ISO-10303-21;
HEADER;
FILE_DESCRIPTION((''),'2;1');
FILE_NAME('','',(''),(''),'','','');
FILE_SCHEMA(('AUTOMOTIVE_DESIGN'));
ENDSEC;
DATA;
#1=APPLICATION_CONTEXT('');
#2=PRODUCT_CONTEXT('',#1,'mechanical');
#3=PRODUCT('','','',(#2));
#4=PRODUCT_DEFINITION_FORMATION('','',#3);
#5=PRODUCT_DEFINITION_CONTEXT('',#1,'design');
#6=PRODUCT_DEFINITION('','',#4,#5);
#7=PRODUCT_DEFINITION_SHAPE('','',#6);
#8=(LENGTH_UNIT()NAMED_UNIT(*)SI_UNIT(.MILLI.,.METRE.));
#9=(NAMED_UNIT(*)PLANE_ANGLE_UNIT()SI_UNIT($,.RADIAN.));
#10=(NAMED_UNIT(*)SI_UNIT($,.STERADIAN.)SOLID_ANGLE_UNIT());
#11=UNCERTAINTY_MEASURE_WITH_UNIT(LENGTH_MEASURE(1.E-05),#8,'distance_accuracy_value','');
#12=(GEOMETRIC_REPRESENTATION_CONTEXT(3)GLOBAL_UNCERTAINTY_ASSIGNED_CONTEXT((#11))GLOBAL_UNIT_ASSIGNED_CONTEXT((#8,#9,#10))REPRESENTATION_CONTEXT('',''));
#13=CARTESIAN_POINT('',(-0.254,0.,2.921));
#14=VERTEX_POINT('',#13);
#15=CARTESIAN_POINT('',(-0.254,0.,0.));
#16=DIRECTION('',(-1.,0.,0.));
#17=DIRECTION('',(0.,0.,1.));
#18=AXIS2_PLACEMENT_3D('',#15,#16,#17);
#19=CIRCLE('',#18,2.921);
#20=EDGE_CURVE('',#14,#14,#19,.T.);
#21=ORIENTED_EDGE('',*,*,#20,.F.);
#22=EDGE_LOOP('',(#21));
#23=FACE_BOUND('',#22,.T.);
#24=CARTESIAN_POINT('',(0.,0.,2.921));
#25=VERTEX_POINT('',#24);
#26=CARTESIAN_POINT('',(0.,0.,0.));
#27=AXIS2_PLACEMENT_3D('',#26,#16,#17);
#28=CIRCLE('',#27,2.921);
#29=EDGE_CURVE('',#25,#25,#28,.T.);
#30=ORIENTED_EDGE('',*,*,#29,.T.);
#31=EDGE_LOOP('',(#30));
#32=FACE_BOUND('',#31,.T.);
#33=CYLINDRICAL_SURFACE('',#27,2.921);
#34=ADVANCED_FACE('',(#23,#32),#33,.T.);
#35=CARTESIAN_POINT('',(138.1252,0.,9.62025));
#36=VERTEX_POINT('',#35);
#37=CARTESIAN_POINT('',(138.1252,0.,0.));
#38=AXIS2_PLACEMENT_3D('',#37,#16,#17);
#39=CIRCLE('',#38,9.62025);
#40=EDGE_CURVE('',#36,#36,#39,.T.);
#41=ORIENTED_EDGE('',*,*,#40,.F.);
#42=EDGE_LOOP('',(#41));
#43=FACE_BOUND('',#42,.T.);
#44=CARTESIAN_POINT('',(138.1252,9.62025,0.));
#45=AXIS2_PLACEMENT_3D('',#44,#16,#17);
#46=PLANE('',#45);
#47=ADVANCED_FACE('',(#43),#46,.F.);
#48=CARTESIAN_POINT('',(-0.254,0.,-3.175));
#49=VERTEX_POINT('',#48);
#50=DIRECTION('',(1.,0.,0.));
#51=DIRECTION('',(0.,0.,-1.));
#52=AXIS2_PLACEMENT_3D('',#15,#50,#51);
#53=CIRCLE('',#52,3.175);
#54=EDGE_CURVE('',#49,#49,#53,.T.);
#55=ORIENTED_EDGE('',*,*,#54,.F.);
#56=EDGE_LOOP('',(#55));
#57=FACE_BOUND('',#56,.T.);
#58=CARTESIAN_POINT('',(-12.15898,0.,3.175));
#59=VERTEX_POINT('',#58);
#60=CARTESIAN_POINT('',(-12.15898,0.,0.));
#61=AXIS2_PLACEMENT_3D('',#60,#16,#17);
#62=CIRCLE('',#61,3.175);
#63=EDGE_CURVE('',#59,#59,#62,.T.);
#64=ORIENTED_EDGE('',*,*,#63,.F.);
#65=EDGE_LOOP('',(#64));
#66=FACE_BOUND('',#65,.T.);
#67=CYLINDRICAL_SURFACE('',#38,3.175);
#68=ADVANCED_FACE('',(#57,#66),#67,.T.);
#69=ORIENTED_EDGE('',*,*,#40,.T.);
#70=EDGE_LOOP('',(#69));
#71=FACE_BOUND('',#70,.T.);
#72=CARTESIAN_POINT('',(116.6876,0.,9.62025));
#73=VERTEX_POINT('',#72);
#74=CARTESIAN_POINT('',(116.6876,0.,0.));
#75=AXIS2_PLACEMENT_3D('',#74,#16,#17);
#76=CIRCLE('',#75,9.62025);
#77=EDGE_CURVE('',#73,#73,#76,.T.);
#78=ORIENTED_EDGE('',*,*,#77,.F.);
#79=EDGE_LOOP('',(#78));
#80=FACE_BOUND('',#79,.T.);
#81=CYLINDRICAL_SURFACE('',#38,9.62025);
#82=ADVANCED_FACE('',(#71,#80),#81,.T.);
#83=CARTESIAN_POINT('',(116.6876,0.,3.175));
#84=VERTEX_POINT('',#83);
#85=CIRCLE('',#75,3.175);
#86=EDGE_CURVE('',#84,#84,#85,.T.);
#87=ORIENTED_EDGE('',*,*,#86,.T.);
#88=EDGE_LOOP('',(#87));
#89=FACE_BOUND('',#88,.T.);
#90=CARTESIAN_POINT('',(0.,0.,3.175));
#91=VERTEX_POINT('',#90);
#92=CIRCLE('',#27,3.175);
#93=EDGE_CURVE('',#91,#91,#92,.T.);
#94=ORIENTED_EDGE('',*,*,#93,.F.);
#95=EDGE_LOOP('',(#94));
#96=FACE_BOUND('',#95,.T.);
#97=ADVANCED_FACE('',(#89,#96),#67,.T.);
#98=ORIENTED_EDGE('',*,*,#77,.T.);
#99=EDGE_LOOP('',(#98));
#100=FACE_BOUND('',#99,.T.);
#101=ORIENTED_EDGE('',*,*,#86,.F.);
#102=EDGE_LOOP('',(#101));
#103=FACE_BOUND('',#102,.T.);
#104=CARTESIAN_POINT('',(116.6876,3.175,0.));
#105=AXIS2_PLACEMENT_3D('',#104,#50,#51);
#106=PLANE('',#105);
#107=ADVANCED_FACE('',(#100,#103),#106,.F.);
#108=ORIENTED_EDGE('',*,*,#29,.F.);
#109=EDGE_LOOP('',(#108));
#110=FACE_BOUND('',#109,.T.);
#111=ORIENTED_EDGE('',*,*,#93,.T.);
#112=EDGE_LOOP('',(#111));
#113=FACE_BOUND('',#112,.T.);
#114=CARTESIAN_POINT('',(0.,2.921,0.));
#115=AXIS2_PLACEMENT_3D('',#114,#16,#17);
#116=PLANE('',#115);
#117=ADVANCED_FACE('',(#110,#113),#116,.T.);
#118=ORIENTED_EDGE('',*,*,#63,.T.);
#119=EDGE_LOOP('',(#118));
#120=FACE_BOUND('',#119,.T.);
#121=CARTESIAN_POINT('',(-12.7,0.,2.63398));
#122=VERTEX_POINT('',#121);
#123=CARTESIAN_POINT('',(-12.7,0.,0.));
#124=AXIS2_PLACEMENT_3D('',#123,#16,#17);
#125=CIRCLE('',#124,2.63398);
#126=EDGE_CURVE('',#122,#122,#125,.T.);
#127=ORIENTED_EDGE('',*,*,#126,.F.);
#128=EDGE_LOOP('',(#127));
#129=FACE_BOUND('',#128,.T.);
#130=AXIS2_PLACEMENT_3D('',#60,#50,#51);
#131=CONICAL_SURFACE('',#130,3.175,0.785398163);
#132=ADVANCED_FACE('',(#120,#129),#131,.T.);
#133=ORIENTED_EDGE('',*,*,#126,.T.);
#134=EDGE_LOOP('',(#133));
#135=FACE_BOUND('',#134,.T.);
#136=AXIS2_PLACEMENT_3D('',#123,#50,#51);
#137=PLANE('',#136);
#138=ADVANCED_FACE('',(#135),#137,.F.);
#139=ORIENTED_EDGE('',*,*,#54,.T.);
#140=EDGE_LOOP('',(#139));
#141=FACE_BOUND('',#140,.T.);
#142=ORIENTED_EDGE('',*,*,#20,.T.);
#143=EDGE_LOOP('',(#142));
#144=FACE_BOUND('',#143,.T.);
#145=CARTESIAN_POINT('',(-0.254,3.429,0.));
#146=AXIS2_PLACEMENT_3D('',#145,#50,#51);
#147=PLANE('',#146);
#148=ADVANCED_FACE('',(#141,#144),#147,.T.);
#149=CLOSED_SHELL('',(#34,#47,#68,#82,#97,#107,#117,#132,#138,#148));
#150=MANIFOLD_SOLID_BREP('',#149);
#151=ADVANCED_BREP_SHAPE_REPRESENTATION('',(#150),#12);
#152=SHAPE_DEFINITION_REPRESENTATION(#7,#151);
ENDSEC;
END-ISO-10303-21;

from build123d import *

# Parameters (mm, degrees)
SKETCH3_W = 0.254
SKETCH3_H = 0.508


with BuildPart() as part:
    # Sketch1 → Revolve1 (revolve)
    with BuildSketch(Plane.XY):
        Polygon((0, 0), (0, 3.175), (116.6876, 3.175), (116.6876, 9.62025), (138.1252, 9.62025), (138.1252, 0), align=None)
    revolve(axis=Axis((138.1252, 0, 0), (-1, 0, 0)))

    # Sketch2 → Revolve2 (revolve)
    with BuildSketch(Plane.XY):
        Polygon((-12.7, 0), (-12.7, 2.63398), (-12.15898, 3.175), (0, 3.175), (0, 0), align=None)
    revolve(axis=Axis((0, 0, 0), (-1, 0, 0)))

    # Sketch3 → Cut-Revolve1 (revolve, cut)
    with BuildSketch(Plane.XY):
        with Locations((-0.127, 3.175)):
            Rectangle(SKETCH3_W, SKETCH3_H)
    revolve(axis=Axis((0, 0, 0), (-1, 0, 0)), mode=Mode.SUBTRACT)


solid = part.part
